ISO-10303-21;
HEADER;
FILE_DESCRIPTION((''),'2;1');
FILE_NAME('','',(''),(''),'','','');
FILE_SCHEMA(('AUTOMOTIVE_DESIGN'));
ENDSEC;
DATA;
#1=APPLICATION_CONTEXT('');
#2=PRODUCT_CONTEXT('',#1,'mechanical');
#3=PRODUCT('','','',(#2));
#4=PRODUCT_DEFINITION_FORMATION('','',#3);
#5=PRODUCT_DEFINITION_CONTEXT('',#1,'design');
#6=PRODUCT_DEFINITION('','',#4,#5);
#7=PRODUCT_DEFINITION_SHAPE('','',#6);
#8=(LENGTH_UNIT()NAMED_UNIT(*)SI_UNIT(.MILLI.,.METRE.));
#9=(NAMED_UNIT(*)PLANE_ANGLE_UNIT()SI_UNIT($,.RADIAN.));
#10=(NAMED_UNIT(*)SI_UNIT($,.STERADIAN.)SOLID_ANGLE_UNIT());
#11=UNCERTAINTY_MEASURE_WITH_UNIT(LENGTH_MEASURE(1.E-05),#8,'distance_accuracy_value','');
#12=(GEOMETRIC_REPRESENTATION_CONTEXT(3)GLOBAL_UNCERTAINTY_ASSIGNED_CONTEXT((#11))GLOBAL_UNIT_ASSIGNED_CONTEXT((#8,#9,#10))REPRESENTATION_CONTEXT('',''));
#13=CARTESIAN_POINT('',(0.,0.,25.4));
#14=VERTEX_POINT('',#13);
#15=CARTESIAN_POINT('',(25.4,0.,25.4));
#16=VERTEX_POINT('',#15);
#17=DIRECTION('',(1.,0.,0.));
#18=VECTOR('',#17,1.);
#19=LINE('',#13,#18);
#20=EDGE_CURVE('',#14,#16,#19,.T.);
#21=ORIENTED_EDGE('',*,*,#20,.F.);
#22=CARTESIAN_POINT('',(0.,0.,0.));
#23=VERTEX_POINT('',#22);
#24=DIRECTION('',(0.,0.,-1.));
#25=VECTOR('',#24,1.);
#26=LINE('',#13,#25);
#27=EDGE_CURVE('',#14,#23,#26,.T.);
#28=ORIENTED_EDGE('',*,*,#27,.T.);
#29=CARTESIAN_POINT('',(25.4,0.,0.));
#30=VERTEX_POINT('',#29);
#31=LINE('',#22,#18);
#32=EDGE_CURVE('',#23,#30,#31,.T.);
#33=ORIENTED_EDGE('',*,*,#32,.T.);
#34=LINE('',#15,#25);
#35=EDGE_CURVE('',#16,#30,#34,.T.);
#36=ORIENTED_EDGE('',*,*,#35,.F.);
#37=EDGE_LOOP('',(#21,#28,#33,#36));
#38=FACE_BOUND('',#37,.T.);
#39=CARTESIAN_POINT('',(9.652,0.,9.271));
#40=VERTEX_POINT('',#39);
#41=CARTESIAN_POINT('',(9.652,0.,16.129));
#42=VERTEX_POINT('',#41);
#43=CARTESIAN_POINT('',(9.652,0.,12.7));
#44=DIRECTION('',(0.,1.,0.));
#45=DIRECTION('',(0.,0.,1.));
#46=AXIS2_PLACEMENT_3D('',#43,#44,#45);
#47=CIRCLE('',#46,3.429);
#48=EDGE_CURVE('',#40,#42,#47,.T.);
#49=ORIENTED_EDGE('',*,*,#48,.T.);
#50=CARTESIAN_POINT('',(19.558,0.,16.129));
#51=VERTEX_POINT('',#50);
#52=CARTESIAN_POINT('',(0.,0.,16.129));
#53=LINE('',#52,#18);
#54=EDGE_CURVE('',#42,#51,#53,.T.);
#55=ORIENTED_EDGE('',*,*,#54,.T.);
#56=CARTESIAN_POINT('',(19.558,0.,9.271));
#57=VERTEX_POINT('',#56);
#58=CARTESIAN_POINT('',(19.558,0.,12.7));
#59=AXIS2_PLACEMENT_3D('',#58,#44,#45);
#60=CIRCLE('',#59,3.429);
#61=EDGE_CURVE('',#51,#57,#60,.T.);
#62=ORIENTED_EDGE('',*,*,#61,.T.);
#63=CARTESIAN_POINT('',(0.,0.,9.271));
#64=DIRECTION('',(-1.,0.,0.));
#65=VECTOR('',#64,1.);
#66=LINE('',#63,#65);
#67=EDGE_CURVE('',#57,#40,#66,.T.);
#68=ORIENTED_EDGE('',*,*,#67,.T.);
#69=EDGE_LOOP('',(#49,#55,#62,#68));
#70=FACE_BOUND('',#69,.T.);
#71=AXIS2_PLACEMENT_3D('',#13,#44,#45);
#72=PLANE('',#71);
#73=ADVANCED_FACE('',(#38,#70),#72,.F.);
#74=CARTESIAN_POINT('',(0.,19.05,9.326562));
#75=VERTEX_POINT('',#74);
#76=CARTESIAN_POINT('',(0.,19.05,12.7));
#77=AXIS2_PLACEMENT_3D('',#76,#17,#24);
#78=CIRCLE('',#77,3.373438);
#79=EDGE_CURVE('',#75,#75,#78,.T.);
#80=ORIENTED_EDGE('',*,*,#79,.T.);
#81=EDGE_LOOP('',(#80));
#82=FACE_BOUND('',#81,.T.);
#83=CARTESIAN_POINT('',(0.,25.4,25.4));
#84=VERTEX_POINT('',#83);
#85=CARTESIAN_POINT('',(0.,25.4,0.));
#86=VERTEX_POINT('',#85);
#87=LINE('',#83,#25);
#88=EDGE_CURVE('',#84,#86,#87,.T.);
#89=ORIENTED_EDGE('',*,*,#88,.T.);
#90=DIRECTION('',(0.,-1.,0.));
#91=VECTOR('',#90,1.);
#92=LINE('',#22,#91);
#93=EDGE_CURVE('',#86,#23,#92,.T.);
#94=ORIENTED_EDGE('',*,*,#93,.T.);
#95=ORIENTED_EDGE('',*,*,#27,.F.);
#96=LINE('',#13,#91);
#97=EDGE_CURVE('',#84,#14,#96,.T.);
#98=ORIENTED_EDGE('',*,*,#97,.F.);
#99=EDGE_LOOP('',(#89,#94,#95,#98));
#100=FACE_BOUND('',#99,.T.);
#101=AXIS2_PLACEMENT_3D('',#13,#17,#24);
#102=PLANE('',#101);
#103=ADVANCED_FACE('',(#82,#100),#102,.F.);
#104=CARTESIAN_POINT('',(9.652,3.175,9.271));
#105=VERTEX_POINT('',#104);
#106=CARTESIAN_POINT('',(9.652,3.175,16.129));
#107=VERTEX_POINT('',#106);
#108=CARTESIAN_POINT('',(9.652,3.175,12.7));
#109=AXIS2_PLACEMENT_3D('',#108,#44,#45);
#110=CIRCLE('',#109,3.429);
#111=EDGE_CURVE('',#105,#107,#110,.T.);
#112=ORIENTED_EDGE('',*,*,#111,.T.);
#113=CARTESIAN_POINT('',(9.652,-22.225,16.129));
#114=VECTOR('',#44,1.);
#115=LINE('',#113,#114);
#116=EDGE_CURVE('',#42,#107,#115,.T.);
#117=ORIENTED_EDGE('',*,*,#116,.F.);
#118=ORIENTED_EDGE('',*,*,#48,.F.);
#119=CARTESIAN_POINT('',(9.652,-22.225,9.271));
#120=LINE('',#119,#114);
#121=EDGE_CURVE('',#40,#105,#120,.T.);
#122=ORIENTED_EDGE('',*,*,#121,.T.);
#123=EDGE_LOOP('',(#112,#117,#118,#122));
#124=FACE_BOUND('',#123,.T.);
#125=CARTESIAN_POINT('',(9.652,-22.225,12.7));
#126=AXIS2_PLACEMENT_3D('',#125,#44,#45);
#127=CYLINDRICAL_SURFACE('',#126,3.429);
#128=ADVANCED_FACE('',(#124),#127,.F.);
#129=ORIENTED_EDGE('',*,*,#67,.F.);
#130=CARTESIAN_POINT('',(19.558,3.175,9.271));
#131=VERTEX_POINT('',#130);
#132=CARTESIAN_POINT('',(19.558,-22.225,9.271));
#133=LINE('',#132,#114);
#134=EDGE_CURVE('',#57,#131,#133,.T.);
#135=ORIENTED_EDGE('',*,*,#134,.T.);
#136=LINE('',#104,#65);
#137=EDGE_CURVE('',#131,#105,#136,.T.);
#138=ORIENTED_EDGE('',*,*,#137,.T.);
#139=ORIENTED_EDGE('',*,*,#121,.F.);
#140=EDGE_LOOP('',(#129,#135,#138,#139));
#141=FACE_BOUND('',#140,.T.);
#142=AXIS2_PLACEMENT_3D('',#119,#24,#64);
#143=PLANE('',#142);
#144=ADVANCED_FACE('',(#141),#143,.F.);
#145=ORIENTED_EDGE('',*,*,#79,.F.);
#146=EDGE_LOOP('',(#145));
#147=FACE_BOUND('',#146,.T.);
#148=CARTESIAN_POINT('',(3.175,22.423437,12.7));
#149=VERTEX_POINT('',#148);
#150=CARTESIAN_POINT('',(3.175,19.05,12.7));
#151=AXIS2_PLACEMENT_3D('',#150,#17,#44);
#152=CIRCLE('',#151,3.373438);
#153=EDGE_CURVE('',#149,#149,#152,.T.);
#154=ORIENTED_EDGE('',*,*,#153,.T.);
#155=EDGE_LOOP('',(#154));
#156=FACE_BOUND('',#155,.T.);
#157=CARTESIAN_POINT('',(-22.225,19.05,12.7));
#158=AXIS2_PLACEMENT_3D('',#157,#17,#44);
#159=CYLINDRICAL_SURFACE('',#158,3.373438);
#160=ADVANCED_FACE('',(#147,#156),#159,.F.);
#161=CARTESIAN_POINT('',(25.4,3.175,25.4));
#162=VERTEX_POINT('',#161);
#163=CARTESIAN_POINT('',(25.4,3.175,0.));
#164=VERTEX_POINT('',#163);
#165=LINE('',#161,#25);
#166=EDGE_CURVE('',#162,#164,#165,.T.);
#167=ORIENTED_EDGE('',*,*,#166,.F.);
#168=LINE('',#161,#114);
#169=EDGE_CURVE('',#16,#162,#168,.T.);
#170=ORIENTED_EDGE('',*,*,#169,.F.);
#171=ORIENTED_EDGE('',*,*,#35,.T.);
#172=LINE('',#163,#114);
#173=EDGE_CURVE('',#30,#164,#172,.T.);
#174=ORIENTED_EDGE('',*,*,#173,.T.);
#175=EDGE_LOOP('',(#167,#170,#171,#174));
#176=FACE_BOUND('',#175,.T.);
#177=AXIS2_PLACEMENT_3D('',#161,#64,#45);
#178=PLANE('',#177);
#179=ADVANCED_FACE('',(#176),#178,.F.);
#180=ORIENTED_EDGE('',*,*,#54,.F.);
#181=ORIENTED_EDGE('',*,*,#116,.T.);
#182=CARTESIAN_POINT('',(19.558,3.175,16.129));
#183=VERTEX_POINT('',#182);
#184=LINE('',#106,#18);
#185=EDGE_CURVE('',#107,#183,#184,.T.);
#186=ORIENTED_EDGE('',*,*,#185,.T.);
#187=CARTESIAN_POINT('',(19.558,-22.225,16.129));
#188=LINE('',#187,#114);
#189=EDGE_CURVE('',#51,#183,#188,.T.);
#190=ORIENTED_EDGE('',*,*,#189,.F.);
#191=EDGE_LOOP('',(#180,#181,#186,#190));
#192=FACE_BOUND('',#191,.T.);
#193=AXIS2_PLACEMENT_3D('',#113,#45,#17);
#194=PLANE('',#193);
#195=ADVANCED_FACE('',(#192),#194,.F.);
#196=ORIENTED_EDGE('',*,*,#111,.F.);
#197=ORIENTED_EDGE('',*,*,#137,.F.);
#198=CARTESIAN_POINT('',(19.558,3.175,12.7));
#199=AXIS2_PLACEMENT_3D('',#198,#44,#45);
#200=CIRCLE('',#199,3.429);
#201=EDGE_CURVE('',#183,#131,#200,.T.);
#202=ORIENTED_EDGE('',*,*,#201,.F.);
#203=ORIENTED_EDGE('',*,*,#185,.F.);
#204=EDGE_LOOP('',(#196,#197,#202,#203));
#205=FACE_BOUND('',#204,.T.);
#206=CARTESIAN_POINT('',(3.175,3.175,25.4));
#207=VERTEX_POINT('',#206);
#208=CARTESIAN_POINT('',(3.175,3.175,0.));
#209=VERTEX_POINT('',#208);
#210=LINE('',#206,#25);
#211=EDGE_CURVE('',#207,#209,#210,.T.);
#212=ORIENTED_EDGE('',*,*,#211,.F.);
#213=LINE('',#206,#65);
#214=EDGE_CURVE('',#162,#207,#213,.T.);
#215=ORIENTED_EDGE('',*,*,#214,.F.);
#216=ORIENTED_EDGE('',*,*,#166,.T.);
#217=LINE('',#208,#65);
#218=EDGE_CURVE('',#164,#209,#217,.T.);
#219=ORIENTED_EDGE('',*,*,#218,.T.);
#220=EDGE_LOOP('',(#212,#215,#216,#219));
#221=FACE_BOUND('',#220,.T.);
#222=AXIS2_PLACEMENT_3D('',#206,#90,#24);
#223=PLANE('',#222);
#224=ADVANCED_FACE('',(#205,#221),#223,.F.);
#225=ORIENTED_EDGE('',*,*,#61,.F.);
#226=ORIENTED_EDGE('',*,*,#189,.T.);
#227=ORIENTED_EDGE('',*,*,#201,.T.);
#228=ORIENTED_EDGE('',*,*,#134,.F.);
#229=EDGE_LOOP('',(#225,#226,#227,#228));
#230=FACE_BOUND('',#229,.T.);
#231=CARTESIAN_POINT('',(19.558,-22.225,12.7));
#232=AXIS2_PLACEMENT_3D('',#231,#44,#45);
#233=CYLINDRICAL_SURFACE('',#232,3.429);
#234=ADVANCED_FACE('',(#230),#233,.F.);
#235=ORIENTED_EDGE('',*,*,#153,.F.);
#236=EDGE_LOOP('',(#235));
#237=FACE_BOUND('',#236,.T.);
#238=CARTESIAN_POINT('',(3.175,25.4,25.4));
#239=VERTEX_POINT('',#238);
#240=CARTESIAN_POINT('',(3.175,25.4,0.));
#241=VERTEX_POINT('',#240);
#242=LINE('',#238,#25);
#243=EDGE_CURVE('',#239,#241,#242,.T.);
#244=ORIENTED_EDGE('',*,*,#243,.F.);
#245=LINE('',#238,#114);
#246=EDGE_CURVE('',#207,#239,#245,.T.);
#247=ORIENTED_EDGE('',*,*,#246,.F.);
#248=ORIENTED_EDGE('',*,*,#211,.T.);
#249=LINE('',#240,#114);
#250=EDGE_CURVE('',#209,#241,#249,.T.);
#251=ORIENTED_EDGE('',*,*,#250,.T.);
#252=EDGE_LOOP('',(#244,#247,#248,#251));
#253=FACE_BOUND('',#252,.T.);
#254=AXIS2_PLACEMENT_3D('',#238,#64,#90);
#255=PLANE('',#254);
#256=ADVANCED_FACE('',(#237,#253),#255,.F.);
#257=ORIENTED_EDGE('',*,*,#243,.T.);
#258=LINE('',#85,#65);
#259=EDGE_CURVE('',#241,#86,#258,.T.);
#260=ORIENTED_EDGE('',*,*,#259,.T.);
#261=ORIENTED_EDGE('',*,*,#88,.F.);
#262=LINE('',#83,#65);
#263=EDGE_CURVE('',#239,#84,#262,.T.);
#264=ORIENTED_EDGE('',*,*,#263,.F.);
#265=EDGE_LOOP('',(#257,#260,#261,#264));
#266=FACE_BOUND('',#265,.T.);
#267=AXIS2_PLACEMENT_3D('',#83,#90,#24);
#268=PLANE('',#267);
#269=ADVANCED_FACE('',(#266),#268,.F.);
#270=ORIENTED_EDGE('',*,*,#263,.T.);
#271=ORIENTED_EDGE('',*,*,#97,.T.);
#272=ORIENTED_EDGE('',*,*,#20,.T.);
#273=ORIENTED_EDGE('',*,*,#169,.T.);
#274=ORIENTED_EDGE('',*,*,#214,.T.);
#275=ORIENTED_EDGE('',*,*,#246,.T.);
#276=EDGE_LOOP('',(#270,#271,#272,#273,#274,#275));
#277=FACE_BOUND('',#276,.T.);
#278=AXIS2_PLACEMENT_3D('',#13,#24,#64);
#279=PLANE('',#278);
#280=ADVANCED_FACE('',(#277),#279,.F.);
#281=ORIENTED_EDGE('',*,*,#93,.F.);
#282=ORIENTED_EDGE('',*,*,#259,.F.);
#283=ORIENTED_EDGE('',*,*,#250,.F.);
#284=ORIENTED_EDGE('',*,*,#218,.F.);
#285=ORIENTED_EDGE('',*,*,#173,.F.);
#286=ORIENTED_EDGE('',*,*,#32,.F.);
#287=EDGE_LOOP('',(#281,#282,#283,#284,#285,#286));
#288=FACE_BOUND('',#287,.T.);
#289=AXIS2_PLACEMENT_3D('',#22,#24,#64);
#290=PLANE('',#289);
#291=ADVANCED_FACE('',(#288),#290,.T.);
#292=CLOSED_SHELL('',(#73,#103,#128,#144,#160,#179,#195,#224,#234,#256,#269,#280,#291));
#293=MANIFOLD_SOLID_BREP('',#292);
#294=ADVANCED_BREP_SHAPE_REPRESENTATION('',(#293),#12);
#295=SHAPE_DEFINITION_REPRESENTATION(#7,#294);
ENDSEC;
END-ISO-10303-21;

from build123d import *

# Parameters (mm, degrees)
BOSS_EXTRUDE1_DEPTH = 25.4
CUT_EXTRUDE1_DEPTH  = 25.4
SKETCH3_R           = 3.3734375
CUT_EXTRUDE2_DEPTH  = 25.4


with BuildPart() as part:
    # Sketch1 → Boss-Extrude1 (new body)
    with BuildSketch(Plane.XY):
        Polygon((0, 0), (0, 25.4), (3.175, 25.4), (3.175, 3.175), (25.4, 3.175), (25.4, 0), align=None)
    extrude(amount=BOSS_EXTRUDE1_DEPTH)

    # Sketch2 → Cut-Extrude1 (cut)
    with BuildSketch(Plane(origin=(0, 3.175, 0), x_dir=(1, 0, 0), z_dir=(0, 1, 0))):
        with BuildLine():
            Line((9.652, -9.271), (19.558, -9.271))
            ThreePointArc((19.558, -9.271), (22.987, -12.7), (19.558, -16.129))
            Line((19.558, -16.129), (9.652, -16.129))
            ThreePointArc((9.652, -16.129), (6.223, -12.7), (9.652, -9.271))
        make_face()
    extrude(amount=-CUT_EXTRUDE1_DEPTH, mode=Mode.SUBTRACT)

    # Sketch3 → Cut-Extrude2 (cut)
    with BuildSketch(Plane(origin=(3.175, 0, 0), x_dir=(0, 0, -1), z_dir=(1, 0, 0))):
        with Locations((-12.7, 19.05)):
            Circle(SKETCH3_R)
    extrude(amount=-CUT_EXTRUDE2_DEPTH, mode=Mode.SUBTRACT)


solid = part.part
